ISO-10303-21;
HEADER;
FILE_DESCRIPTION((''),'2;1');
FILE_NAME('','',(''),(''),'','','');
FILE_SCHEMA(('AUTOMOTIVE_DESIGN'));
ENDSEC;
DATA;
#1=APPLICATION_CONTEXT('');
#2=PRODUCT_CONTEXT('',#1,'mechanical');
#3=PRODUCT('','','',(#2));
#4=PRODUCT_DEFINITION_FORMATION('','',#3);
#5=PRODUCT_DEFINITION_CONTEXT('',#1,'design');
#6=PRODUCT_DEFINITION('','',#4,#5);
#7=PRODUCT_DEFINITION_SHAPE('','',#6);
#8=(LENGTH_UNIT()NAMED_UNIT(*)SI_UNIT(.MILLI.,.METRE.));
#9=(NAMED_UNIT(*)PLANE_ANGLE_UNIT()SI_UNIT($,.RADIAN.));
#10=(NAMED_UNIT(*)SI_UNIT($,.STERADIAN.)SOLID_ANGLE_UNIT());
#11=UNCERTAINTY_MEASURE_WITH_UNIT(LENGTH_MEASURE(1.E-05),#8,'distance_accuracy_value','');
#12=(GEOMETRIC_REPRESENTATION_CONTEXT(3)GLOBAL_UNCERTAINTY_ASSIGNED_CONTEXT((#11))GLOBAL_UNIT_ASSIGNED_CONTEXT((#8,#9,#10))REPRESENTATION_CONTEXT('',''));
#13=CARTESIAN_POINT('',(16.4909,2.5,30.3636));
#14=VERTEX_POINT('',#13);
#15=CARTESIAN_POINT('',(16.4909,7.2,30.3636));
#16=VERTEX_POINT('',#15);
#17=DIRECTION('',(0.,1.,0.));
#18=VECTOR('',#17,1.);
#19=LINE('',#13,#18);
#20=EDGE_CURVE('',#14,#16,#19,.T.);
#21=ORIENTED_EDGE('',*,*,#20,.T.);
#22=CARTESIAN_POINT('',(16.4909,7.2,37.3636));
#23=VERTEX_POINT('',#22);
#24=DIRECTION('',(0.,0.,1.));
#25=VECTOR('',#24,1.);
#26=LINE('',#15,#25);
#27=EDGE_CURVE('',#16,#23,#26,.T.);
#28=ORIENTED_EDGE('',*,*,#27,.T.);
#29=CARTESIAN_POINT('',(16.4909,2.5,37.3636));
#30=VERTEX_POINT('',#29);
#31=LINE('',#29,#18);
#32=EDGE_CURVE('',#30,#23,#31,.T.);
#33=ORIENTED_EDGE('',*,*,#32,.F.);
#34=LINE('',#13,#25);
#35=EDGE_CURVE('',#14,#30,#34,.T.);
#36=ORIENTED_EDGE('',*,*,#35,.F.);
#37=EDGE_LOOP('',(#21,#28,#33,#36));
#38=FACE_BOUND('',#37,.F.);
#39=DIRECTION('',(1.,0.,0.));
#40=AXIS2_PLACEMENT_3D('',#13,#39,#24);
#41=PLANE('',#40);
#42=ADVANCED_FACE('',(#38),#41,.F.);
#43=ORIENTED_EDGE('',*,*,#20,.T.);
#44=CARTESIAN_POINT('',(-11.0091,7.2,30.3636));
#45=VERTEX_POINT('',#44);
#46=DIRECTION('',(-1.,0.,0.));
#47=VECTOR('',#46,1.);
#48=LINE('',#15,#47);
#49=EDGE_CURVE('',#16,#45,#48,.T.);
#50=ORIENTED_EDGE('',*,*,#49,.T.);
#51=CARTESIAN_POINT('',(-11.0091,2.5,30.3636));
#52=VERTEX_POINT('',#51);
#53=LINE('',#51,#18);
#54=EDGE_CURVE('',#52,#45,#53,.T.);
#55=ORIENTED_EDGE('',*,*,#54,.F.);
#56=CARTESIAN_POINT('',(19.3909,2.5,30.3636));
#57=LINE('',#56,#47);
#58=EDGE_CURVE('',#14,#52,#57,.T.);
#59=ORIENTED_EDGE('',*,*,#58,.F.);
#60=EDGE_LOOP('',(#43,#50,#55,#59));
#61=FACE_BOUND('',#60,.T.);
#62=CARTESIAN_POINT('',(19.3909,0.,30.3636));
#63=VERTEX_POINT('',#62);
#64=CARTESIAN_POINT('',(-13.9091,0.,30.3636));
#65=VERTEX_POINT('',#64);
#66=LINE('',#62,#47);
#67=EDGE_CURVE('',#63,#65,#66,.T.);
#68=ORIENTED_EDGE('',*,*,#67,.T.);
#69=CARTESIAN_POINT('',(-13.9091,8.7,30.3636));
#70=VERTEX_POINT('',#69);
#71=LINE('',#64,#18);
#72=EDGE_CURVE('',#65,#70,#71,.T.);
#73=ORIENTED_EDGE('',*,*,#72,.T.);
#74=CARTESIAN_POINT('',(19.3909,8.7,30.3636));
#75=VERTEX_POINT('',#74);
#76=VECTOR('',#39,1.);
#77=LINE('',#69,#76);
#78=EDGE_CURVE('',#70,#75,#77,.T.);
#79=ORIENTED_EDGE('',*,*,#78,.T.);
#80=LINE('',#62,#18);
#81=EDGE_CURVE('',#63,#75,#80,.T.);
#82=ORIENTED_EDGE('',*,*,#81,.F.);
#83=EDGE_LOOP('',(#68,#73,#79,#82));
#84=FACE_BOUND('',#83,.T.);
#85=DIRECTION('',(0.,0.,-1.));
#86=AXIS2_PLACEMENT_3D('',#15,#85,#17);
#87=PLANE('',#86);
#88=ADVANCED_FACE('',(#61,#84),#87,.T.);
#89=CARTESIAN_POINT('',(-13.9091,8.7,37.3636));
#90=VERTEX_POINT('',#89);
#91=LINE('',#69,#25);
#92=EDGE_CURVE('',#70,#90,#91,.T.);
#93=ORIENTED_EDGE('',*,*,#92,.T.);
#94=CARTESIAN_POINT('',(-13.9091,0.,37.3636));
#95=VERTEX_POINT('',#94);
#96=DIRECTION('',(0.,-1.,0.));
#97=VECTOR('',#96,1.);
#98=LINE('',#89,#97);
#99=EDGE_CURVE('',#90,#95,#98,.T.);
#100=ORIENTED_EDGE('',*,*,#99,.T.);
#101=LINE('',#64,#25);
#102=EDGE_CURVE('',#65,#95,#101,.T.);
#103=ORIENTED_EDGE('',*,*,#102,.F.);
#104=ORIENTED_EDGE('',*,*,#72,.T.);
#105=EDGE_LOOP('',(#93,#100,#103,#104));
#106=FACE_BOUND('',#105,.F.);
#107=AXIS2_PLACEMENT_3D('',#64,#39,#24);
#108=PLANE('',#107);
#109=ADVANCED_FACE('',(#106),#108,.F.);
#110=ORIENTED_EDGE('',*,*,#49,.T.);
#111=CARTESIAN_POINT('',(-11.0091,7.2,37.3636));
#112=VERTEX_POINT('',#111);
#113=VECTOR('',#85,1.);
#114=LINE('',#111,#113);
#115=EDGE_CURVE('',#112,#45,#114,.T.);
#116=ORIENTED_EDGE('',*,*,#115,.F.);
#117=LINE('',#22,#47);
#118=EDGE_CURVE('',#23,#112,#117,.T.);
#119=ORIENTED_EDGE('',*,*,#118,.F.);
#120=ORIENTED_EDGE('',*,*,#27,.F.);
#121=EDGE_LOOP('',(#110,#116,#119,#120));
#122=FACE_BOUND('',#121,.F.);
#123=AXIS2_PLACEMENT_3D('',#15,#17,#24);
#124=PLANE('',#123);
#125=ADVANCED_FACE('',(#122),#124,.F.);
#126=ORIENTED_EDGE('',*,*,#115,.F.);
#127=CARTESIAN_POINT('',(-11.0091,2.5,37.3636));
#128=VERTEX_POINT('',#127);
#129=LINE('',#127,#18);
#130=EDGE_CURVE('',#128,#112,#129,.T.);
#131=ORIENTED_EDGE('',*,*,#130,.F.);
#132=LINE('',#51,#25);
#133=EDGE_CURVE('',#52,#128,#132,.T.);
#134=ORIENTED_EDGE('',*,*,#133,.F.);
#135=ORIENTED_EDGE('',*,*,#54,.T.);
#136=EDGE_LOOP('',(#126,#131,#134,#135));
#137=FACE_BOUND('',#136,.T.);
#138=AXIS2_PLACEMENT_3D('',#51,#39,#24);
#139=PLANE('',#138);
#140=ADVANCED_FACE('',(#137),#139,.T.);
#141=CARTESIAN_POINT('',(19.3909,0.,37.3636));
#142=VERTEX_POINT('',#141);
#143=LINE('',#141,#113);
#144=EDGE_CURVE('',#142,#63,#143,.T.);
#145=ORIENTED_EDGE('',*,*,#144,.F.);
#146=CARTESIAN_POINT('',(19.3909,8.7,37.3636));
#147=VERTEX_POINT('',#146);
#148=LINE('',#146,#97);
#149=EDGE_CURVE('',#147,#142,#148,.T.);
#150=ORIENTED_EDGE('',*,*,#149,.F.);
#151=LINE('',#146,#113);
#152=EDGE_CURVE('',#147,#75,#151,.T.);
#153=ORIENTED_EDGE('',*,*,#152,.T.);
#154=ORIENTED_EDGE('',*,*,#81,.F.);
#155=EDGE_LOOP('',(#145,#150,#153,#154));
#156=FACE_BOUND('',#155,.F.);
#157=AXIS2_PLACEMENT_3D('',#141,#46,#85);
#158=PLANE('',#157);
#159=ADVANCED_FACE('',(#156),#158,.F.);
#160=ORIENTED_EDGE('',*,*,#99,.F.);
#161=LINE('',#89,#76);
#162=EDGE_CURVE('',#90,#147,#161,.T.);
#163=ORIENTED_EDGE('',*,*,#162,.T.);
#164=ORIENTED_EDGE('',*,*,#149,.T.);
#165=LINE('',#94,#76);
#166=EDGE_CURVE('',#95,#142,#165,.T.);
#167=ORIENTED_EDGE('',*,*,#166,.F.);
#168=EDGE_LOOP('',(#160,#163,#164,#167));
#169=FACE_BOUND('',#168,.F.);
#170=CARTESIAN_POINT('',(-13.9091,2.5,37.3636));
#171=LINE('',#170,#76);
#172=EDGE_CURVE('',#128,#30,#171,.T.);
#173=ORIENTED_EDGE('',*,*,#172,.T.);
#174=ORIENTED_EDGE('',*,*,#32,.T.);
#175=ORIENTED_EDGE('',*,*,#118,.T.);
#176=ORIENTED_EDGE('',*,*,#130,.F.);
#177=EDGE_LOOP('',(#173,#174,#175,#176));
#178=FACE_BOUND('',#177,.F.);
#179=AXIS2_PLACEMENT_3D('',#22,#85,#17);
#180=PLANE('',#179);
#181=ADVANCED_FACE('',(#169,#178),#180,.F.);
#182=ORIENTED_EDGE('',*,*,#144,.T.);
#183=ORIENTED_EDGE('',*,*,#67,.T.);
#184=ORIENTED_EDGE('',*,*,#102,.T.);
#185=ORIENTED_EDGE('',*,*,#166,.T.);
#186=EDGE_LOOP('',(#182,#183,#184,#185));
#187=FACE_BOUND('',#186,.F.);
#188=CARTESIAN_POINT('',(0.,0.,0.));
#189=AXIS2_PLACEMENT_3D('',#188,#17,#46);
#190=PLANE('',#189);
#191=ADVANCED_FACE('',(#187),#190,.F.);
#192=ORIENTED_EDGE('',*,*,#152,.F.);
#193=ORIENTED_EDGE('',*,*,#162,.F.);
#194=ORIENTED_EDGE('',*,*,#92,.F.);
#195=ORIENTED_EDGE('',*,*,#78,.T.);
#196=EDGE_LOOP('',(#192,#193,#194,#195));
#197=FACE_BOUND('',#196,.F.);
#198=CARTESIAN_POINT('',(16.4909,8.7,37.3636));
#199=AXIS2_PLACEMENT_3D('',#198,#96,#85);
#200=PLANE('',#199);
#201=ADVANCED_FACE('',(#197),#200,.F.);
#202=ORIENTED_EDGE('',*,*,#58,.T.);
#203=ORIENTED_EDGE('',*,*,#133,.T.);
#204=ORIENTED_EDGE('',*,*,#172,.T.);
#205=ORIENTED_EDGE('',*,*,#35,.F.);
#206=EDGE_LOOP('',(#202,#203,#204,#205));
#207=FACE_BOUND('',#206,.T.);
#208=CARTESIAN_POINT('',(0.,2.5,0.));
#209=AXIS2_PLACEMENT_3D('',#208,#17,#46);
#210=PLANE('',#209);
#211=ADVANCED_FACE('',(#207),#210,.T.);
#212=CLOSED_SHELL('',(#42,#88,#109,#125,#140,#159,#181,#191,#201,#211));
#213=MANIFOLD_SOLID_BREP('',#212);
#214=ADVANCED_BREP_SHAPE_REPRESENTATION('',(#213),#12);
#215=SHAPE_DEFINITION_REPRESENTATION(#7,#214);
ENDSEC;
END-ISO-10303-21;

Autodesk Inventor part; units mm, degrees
ref_plane "YZ Plane" through (0, 0, 0) normal (1, 0, 0) x (0, 1, 0)
ref_plane "XZ Plane" through (0, 0, 0) normal (0, 1, 0) x (-1, 0, 0)
ref_plane "XY Plane" through (0, 0, 0) normal (0, 0, 1) x (1, 0, 0)
sketch "Sketch1" plane through (0, 0, 0) normal (0, 1, 0) x (-1, 0, 0)
  line L0 (-19.3909, 30.3636) -> (13.9091, 30.3636)
  line L1 (13.9091, 30.3636) -> (13.9091, 37.3636)
  line L2 (13.9091, 37.3636) -> (-19.3909, 37.3636)
  line L3 (-19.3909, 37.3636) -> (-19.3909, 30.3636)
  point P0 (0, 0)
  dimension "d0" = 33.3
  dimension "d1" = 7
extrude "MainBody" add sketch "Sketch1" along normal blind 2.5
sketch "Sketch2" plane through (0, 2.5, 0) normal (0, 1, 0) x (1, 0, 0)
  line L0 (-13.9091, -30.3636) -> (-13.9091, -37.3636) projected
  line L1 (-13.9091, -30.3636) -> (-11.0091, -30.3636)
  line L2 (-11.0091, -30.3636) -> (-11.0091, -37.3636)
  line L3 (-11.0091, -37.3636) -> (-13.9091, -37.3636)
  line L4 (-13.9091, -37.3636) -> (-13.9091, -30.3636)
  line L5 (-13.9091, -37.3636) -> (19.3909, -37.3636) projected
  line L6 (19.3909, -37.3636) -> (19.3909, -30.3636) projected
  line L7 (16.4909, -37.3636) -> (19.3909, -37.3636)
  line L8 (19.3909, -37.3636) -> (19.3909, -30.3636)
  line L9 (19.3909, -30.3636) -> (16.4909, -30.3636)
  line L10 (16.4909, -30.3636) -> (16.4909, -37.3636)
  line L11 (19.3909, -30.3636) -> (-13.9091, -30.3636) projected
  point P0 (0, 0)
  point P1 (-13.9091, -37.3636)
  dimension "ClipWidth" = 2.9
  dimension "d5" = 7
  dimension "d14" = 7
  dimension "d15" = 2.9
  dimension "d16" = 0
  dimension "d34" = 27.5
extrude "ClipHeight" add sketch "Sketch2" along normal blind 6.2 contours L1 L2 L3 L0 | L9 L6 L5 L10
sketch "Sketch4" plane through (-11.0091, 2.5, 37.3636) normal (1, 0, 0) x (0, 0, -1)
  line L0 (7, 0) -> (7, 6.2) projected
  line L1 (0, 0) -> (0, 6.2) projected
  line L2 (7, 6.2) -> (0, 6.2)
  line L3 (0, 6.2) -> (0, 4.7)
  line L4 (0, 4.7) -> (7, 4.7)
  line L5 (7, 4.7) -> (7, 6.2)
  line L6 (7, 6.2) -> (0, 6.2) projected
  point P0 (37.3636, -2.5)
  dimension "d9" = 1.5
extrude "Clip1_Out" add sketch "Sketch4" along normal blind 13.85
sketch "Sketch7" plane through (16.4909, 2.5, 30.3636) normal (-1, 0, 0) x (0, 0, 1)
  line L0 (0, 0) -> (0, 6.2) projected
  line L1 (7, 0) -> (7, 6.2) projected
  line L2 (0, 4.7) -> (7, 4.7)
  line L3 (7, 4.7) -> (7, 6.2)
  line L4 (7, 6.2) -> (0, 6.2)
  line L5 (0, 6.2) -> (0, 4.7)
  point P0 (-30.3636, -2.5)
  dimension "d22" = 1.5
  dimension "d23" = 7
extrude "Clip2_Out" add sketch "Sketch7" along normal blind 13.65
equation "\"d14\" = d5"
equation "\"d15\" = ClipWidth"
properties part number "Clip-on"
